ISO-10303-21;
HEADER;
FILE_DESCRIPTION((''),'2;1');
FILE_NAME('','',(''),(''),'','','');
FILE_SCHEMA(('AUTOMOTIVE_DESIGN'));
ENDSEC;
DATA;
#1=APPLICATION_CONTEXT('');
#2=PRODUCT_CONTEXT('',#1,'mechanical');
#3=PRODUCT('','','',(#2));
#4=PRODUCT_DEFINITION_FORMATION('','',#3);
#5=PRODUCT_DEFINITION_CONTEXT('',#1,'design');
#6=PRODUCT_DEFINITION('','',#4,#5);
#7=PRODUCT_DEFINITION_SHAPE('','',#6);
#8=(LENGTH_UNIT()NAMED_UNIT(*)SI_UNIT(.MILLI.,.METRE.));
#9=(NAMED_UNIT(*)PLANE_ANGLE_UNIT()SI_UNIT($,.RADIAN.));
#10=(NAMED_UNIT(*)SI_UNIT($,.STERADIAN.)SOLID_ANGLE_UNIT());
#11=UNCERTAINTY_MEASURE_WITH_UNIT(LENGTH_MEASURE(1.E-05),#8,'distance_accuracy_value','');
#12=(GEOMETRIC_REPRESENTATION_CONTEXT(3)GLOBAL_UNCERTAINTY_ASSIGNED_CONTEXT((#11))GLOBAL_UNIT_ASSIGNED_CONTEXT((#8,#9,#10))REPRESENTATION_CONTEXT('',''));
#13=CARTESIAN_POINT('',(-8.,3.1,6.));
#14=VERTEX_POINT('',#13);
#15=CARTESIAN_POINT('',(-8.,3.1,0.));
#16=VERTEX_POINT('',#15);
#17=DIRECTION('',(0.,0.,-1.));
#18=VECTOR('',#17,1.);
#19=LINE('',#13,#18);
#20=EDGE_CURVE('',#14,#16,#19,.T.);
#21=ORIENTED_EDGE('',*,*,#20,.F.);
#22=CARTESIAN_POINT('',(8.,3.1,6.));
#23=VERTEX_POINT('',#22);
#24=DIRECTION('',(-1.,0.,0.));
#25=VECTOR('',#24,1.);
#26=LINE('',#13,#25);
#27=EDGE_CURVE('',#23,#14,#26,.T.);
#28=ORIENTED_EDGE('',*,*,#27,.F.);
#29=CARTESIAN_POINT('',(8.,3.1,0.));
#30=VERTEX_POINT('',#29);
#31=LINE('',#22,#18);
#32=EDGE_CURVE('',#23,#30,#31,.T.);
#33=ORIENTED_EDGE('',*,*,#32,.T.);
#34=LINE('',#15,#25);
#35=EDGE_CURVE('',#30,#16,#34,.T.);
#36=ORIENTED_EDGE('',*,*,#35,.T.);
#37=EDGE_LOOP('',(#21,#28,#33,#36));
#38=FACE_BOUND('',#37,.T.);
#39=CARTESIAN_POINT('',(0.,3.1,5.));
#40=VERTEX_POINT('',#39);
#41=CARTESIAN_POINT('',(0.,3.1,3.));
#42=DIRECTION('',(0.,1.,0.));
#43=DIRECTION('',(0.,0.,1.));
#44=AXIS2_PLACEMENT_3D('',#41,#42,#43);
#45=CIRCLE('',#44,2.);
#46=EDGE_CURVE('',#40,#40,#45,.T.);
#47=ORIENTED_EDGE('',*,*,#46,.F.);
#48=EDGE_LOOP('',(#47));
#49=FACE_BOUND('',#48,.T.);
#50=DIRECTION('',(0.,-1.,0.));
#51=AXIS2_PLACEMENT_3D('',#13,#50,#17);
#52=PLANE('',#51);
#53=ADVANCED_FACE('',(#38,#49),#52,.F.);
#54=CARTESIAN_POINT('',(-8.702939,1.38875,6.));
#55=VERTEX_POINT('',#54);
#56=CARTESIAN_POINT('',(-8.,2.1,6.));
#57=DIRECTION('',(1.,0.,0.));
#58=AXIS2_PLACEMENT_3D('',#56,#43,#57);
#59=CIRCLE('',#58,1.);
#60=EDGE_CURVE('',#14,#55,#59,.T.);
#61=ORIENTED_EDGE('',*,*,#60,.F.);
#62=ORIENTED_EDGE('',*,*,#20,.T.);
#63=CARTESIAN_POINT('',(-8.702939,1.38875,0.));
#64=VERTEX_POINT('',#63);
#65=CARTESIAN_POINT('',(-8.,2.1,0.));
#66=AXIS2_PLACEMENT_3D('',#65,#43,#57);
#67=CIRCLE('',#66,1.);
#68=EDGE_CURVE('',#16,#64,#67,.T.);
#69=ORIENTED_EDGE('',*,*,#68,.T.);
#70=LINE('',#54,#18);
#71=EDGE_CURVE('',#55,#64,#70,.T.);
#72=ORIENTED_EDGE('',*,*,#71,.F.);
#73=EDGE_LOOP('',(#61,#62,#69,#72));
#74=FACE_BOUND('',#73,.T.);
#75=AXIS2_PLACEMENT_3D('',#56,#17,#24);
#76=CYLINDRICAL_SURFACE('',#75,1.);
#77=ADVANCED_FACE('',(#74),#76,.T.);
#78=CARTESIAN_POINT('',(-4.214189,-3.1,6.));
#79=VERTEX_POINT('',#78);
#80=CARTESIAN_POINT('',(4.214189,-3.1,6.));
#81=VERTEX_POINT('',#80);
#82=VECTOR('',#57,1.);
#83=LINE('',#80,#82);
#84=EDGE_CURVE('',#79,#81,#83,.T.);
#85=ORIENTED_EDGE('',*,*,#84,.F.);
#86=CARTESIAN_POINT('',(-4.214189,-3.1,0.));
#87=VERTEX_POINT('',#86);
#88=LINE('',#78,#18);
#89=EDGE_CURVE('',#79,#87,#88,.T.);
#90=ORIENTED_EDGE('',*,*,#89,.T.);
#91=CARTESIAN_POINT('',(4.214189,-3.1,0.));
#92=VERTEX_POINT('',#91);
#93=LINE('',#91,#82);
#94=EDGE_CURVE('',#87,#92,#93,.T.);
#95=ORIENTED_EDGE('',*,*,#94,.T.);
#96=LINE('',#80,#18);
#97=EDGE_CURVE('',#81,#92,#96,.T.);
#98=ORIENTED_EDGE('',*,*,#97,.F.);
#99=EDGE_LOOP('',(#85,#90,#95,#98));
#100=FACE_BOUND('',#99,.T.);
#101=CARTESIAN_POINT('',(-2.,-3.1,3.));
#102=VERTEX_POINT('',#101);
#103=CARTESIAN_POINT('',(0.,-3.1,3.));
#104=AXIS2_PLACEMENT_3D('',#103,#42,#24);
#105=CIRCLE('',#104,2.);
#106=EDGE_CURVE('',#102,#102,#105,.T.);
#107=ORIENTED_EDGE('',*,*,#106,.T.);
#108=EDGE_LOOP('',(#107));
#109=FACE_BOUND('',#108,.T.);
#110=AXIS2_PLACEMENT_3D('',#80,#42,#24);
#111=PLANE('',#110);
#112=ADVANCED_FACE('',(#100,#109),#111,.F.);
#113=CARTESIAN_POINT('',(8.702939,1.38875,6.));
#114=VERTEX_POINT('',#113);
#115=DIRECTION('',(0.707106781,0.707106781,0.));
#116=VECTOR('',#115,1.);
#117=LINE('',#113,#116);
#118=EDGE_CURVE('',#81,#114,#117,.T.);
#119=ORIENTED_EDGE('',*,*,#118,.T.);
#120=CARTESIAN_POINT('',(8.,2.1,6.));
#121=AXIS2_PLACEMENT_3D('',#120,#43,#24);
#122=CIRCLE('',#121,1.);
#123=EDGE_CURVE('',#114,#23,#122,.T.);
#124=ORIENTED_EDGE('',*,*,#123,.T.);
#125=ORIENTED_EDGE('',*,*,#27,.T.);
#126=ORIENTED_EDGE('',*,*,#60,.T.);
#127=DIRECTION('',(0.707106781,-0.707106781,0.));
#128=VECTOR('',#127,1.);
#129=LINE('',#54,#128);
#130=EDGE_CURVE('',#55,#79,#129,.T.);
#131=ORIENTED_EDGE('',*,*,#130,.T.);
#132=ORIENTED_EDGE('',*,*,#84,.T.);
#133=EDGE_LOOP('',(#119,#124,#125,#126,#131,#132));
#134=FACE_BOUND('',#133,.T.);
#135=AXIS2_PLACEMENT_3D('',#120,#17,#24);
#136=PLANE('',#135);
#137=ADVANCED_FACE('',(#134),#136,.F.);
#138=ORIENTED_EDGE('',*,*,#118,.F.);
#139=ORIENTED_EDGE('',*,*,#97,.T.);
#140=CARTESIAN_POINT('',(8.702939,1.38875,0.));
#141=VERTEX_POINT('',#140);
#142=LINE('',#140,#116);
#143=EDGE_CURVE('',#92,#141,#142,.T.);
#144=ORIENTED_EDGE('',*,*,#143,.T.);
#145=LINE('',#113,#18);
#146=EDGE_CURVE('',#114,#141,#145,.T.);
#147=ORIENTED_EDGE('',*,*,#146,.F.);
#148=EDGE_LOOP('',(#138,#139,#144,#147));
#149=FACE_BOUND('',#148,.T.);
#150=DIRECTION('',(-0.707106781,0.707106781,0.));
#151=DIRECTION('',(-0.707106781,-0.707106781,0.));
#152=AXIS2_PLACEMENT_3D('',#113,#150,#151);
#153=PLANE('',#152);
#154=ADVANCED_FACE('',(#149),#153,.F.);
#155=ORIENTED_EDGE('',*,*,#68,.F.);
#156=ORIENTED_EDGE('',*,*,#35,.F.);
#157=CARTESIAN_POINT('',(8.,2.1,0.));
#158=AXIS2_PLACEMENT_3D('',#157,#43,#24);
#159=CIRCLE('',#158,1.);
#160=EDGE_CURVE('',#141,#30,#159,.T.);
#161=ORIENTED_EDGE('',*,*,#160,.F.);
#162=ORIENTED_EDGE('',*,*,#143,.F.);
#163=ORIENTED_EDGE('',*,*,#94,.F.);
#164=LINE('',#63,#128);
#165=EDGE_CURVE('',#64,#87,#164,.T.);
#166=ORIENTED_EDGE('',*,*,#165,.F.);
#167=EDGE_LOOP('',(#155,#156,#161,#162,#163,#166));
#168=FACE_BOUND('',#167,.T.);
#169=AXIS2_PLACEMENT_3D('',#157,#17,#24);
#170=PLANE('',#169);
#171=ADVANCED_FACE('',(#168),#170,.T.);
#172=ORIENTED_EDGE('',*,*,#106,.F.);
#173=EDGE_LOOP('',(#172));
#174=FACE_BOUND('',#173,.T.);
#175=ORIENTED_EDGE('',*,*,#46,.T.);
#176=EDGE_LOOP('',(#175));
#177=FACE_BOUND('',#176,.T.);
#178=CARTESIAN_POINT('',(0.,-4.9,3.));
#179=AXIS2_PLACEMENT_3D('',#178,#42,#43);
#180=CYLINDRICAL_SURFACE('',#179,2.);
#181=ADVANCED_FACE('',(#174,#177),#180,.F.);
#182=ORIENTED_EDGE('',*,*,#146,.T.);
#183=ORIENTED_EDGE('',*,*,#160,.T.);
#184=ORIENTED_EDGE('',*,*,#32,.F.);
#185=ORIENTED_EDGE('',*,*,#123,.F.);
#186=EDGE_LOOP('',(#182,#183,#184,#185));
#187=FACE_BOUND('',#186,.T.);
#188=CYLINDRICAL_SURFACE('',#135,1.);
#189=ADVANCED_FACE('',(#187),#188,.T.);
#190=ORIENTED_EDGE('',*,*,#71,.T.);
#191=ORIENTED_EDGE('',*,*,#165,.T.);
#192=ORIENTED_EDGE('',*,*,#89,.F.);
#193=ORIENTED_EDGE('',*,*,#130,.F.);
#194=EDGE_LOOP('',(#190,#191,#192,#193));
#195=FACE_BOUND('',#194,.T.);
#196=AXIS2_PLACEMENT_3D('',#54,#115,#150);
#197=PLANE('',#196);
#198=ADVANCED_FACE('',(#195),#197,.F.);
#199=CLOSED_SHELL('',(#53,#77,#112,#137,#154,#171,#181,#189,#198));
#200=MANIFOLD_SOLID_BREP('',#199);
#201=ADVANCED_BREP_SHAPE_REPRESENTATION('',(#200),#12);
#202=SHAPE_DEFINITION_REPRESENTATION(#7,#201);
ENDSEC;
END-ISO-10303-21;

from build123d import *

# Parameters (mm, degrees)
BOSS_EXTRUDE1_DEPTH = 6
SKETCH2_R           = 2
CUT_EXTRUDE1_DEPTH  = 8


with BuildPart() as part:
    # Sketch1 → Boss-Extrude1 (new body)
    with BuildSketch(Plane.XY):
        with BuildLine():
            Line((-8, 3.1), (8, 3.1))
            ThreePointArc((8, 3.1), (8.925, 2.479967104), (8.702939142, 1.38875))
            Line((8.702939142, 1.38875), (4.214189142, -3.1))
            Line((4.214189142, -3.1), (-4.214189142, -3.1))
            Line((-4.214189142, -3.1), (-8.702939142, 1.38875))
            ThreePointArc((-8.702939142, 1.38875), (-8.925, 2.479967104), (-8, 3.1))
        make_face()
    extrude(amount=BOSS_EXTRUDE1_DEPTH)

    # Sketch2 → Cut-Extrude1 (cut)
    with BuildSketch(Plane(origin=(0, 3.1, 0), x_dir=(1, 0, 0), z_dir=(0, 1, 0))):
        with Locations((0, -3)):
            Circle(SKETCH2_R)
    extrude(amount=-CUT_EXTRUDE1_DEPTH, mode=Mode.SUBTRACT)


solid = part.part
